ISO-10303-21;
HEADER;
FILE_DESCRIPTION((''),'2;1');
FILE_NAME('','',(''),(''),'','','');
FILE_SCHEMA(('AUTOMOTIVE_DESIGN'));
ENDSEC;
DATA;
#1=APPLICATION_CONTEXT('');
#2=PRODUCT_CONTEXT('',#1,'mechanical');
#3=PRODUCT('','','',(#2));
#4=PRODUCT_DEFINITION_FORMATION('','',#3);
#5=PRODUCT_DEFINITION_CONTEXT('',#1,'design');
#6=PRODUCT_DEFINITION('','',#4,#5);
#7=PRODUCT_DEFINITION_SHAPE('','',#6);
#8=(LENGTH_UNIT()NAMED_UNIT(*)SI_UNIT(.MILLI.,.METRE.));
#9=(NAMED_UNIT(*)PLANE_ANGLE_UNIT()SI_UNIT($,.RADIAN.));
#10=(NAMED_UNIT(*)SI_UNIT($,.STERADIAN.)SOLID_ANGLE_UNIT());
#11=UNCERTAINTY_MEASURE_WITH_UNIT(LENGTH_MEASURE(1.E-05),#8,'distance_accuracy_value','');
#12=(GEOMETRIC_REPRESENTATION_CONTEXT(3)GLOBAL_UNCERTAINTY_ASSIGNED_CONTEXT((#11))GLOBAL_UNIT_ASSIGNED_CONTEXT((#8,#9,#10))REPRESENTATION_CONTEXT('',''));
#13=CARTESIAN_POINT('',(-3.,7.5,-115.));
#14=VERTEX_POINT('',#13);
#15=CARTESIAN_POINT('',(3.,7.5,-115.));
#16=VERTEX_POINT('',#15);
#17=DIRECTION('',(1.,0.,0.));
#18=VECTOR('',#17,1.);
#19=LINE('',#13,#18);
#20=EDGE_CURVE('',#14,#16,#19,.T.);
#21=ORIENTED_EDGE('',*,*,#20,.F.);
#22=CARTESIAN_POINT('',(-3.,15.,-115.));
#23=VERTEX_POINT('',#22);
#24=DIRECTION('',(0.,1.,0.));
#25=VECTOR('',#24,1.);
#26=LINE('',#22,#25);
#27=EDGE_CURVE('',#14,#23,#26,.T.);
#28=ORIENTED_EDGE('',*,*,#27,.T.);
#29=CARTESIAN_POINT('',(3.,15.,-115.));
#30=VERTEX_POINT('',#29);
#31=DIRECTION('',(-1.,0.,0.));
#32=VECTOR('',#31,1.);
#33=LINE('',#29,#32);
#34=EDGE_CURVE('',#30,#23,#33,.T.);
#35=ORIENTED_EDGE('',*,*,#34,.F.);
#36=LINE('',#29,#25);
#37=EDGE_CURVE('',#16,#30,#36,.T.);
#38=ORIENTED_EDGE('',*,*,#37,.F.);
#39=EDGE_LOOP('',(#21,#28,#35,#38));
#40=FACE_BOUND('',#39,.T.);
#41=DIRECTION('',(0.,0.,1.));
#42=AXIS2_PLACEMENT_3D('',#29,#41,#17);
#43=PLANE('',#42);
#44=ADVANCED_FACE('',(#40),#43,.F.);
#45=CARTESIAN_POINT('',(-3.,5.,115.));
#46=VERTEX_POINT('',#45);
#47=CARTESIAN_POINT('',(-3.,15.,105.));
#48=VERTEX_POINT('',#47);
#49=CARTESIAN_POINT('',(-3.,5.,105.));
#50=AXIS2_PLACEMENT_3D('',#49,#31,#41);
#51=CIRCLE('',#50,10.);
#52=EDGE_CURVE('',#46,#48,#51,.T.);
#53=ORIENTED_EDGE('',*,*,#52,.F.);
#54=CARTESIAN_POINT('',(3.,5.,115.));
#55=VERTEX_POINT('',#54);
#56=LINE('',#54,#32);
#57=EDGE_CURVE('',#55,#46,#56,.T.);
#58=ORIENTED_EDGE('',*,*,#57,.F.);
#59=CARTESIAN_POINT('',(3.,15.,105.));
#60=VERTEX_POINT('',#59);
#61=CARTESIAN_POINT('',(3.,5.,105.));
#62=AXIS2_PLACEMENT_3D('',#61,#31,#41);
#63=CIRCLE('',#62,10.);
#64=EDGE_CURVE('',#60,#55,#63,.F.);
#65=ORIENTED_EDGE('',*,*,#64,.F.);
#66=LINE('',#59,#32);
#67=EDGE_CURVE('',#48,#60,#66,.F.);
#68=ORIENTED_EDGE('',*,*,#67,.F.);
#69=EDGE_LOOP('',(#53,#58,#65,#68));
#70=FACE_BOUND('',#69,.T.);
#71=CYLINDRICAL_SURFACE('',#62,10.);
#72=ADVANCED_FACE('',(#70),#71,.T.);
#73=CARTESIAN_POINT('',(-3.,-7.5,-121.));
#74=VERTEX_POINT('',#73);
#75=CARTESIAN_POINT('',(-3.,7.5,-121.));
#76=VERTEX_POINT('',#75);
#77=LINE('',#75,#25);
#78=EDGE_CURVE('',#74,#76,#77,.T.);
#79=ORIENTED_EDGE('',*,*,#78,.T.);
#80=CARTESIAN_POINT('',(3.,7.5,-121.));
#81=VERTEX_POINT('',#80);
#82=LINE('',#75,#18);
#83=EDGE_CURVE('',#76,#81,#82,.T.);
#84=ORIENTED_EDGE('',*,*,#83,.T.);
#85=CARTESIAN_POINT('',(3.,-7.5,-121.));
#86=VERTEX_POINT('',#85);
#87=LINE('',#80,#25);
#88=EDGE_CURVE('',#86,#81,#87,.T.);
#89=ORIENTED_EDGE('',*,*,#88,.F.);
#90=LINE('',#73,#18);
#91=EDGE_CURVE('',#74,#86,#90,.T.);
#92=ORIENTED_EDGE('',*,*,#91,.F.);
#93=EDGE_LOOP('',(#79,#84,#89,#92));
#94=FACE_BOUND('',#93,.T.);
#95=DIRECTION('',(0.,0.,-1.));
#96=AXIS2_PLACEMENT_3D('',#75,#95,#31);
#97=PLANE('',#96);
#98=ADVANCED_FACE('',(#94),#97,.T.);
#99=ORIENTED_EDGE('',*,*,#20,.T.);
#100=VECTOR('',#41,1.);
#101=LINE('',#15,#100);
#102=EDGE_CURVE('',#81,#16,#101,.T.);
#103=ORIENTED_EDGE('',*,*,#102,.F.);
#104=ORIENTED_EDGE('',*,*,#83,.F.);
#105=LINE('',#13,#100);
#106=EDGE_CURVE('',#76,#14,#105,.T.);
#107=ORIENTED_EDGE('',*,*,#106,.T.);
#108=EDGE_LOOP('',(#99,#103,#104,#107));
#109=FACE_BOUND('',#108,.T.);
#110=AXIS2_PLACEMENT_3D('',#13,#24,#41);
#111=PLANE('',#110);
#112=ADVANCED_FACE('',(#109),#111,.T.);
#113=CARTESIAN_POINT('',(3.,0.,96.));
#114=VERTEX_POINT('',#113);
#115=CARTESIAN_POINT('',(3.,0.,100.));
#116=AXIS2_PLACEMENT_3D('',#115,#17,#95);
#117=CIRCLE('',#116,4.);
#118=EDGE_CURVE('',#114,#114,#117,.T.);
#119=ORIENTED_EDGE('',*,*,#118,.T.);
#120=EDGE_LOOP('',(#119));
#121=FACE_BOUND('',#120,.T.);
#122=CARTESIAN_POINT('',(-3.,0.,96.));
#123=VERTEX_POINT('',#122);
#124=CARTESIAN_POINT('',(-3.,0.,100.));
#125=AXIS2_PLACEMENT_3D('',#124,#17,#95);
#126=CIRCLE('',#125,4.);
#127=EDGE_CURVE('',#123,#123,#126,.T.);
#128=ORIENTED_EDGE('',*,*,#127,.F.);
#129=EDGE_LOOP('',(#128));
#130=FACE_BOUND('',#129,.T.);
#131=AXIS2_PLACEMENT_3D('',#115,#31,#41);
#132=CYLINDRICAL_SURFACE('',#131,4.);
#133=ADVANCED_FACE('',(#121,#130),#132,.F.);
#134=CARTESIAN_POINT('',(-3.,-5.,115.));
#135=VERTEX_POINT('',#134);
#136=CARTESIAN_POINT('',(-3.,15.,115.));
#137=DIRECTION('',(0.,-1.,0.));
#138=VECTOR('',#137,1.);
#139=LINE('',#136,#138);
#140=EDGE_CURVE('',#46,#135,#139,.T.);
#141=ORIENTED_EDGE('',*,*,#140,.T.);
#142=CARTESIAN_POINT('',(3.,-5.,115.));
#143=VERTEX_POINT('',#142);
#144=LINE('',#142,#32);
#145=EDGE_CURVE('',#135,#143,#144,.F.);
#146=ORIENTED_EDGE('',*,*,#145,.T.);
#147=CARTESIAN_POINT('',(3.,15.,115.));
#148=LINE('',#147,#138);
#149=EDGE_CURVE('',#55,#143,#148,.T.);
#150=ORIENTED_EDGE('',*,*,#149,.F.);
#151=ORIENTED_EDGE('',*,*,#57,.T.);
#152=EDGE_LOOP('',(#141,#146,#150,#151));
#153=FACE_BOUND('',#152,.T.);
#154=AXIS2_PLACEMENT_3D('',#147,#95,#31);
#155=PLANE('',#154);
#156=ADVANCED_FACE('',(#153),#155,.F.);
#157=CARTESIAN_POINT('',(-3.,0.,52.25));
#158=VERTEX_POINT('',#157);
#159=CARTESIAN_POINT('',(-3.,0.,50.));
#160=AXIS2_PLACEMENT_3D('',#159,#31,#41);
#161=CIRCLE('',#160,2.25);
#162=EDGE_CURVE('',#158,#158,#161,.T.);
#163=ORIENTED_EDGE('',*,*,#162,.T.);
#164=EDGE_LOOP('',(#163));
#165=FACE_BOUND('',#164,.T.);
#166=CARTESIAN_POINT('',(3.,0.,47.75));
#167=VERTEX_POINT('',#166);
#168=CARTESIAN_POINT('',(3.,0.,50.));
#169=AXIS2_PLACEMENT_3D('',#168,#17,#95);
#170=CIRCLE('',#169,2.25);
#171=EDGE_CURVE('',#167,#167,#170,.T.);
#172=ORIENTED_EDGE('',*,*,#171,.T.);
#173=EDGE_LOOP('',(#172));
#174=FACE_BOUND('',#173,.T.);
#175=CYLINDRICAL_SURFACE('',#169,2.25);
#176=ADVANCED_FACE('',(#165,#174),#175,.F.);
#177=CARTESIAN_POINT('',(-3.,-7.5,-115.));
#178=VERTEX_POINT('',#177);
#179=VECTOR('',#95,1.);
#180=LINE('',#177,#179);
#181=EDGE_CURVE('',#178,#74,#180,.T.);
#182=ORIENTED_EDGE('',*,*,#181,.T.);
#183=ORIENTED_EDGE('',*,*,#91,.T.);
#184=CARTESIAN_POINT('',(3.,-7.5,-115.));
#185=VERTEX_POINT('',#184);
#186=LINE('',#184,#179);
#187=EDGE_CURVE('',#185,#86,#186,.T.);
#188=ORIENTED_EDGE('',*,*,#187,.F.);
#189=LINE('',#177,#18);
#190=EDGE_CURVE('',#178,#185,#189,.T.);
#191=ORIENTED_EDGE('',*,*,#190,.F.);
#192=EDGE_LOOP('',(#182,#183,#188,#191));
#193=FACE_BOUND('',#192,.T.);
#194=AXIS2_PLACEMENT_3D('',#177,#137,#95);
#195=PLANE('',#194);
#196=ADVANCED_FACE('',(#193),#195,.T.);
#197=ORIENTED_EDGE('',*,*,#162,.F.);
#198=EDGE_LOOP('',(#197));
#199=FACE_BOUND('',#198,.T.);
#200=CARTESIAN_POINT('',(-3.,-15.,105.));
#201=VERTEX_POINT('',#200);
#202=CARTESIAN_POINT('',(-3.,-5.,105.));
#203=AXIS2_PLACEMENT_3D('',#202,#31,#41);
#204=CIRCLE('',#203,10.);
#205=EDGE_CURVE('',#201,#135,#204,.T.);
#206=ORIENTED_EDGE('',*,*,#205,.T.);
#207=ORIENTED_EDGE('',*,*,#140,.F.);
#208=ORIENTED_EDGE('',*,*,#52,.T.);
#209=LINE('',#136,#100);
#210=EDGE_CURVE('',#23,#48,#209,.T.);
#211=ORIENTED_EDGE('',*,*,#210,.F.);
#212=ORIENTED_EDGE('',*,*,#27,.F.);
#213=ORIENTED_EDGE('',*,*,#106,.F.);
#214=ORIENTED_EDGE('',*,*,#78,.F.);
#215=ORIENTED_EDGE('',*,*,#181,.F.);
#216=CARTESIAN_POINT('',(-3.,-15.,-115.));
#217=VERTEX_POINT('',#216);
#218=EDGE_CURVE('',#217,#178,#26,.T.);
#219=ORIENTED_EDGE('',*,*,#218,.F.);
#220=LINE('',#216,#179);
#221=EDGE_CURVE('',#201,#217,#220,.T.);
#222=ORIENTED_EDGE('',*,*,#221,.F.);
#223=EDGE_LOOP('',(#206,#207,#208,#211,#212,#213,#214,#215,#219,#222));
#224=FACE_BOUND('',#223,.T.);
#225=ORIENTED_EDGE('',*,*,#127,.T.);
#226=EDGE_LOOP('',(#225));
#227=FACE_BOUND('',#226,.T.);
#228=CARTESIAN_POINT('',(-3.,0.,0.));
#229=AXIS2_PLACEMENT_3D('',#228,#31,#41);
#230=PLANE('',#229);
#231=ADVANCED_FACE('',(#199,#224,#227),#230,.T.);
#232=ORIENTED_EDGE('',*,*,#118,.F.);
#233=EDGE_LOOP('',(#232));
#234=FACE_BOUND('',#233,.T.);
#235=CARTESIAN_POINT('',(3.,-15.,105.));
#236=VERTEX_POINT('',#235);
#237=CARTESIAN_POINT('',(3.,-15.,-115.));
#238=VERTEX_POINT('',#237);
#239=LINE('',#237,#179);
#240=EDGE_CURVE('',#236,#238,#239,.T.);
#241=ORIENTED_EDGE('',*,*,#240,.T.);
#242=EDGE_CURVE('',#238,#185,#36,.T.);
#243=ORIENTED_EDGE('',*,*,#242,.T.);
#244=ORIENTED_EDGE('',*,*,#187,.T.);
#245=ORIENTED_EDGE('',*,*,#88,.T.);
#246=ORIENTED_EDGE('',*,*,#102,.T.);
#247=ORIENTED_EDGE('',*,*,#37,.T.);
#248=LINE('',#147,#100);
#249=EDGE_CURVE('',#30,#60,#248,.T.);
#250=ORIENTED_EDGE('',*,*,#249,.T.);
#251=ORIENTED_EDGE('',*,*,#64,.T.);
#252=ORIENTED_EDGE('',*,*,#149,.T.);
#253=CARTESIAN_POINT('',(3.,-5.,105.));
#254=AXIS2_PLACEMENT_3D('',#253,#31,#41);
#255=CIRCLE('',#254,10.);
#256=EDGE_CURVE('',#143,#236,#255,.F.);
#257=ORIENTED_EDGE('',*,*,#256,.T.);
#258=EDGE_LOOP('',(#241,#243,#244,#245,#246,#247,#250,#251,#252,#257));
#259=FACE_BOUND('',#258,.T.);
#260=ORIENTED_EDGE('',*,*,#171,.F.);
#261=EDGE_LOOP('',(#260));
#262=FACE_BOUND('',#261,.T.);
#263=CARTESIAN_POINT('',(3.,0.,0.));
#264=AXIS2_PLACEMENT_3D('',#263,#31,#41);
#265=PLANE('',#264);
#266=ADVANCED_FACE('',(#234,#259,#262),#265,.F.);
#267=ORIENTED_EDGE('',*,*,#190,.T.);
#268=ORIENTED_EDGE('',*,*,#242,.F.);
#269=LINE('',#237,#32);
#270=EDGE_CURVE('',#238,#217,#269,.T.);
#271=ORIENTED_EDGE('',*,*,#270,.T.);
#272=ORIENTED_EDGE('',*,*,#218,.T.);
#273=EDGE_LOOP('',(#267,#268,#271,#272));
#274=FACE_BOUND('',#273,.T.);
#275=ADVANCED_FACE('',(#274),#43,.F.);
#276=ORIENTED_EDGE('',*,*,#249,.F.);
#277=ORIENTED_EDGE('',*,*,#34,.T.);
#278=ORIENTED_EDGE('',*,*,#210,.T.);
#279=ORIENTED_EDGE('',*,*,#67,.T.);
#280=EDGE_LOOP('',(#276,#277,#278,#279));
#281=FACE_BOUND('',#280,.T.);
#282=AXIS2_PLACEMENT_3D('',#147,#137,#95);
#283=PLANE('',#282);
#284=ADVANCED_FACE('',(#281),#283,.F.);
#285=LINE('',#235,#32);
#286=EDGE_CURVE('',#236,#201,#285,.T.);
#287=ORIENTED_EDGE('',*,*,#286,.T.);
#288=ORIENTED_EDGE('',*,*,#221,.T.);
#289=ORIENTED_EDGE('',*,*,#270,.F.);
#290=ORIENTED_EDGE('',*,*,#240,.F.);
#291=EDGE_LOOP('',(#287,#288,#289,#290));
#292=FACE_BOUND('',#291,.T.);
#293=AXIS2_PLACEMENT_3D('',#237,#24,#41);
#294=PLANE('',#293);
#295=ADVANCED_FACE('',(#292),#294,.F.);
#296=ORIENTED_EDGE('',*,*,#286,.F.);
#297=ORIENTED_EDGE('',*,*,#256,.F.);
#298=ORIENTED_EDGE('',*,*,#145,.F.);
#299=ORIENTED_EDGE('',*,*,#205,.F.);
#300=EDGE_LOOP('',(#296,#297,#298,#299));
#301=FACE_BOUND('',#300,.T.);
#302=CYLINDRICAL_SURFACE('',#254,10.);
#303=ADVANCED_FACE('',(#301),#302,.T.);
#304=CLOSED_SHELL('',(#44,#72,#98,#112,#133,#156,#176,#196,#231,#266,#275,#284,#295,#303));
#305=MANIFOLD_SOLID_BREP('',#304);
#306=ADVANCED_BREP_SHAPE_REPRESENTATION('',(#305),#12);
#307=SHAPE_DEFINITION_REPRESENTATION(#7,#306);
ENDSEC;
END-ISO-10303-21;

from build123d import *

# Parameters (mm, degrees)
CROQUIS2_W                   = 230
CROQUIS2_H                   = 30
CROQUIS2_R                   = 4
SALIENTE_EXTRUIR1_DEPTH      = 3
TALADRO_DE_MARGEN_PARA_M41_D = 4.5
REDONDEO1_R                  = 10
CROQUIS5_W                   = 6
CROQUIS5_H                   = 15
SALIENTE_EXTRUIR2_DEPTH      = 6


with BuildPart() as part:
    # Croquis2 → Saliente-Extruir1 (new, symmetric)
    with BuildSketch(Plane(origin=(0, 0, 0), x_dir=(0, 0, -1), z_dir=(1, 0, 0))):
        Rectangle(CROQUIS2_W, CROQUIS2_H)
        with Locations((-100, 0)):
            Circle(CROQUIS2_R, mode=Mode.SUBTRACT)
    extrude(amount=SALIENTE_EXTRUIR1_DEPTH, both=True)

    # Taladro de margen para M41 (through all)
    with Locations(Plane(origin=(3, 0, 0), x_dir=(0, 0, -1), z_dir=(1, 0, 0))):
        with Locations((-50, 0)):
            Hole(TALADRO_DE_MARGEN_PARA_M41_D / 2)

    # Redondeo1
    redondeo1_edges = [part.edges().sort_by_distance(p)[0] for p in [
        (0, 15, 115),
        (0, -15, 115),
    ]]
    fillet(redondeo1_edges, radius=REDONDEO1_R)

    # Croquis5 → Saliente-Extruir2 (add, through all)
    with BuildSketch(Plane(origin=(3, 0, 0), x_dir=(0, 0, -1), z_dir=(1, 0, 0))):
        with Locations((118, 0)):
            Rectangle(CROQUIS5_W, CROQUIS5_H)
    extrude(amount=-SALIENTE_EXTRUIR2_DEPTH)


solid = part.part
